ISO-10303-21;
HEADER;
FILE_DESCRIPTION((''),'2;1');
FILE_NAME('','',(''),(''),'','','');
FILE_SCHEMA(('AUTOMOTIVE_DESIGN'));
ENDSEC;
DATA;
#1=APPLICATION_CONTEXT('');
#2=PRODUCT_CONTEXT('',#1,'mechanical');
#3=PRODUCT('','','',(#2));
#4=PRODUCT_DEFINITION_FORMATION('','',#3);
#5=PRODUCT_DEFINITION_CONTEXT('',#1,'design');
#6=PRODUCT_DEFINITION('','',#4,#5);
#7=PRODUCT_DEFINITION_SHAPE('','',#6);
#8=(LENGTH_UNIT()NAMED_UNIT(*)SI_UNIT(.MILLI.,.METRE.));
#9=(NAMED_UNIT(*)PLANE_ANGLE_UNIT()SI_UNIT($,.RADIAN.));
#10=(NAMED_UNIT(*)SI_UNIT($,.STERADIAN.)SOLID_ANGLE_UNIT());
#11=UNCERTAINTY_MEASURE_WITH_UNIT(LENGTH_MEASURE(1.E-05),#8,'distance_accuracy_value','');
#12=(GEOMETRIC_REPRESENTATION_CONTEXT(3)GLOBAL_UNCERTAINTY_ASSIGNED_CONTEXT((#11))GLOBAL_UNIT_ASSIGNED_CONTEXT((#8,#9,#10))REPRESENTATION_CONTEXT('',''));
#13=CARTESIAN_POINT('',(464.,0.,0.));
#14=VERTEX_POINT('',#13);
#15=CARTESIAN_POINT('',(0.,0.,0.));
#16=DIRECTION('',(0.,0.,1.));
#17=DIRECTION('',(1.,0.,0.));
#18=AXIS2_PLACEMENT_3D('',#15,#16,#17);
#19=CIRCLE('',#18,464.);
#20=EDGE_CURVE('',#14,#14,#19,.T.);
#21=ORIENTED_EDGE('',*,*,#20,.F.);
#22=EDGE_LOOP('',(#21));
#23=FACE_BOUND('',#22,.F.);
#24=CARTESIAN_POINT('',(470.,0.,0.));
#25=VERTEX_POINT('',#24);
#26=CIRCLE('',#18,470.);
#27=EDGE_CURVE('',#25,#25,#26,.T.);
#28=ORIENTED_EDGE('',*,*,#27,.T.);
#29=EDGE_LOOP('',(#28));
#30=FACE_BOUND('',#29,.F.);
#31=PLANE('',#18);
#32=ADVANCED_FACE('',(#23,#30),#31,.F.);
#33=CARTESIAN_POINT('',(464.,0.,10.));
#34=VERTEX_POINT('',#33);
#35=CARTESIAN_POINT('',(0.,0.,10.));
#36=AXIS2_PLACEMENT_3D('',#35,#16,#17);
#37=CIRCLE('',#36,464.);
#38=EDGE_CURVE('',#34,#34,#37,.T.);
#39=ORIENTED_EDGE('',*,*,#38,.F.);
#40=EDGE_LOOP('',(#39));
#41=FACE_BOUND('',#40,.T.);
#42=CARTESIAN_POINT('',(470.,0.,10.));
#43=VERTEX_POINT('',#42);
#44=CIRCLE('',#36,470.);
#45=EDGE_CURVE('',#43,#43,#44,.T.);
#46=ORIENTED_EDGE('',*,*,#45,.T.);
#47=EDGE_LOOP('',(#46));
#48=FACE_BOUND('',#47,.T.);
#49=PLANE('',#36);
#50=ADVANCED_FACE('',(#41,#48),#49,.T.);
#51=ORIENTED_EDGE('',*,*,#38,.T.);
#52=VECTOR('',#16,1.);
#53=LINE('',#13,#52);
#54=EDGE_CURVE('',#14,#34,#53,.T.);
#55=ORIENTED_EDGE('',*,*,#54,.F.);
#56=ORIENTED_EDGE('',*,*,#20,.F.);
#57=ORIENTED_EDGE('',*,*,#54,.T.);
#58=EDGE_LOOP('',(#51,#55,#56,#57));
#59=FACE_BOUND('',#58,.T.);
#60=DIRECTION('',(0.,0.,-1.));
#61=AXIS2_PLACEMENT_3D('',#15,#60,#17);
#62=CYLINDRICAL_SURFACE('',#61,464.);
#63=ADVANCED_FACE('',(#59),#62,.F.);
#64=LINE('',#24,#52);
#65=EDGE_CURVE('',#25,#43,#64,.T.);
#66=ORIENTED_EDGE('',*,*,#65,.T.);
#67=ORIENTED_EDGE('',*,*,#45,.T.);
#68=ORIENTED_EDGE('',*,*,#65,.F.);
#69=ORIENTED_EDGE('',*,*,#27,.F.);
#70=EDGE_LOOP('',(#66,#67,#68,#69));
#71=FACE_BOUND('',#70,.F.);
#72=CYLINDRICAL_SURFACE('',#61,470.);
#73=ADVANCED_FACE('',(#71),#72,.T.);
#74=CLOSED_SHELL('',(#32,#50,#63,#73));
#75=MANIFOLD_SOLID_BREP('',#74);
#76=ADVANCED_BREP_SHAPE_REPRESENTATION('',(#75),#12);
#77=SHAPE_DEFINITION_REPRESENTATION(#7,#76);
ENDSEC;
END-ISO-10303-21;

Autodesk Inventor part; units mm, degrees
ref_plane "YZ Plane" through (0, 0, 0) normal (1, 0, 0) x (0, 1, 0)
ref_plane "XZ Plane" through (0, 0, 0) normal (0, 1, 0) x (-1, 0, 0)
ref_plane "XY Plane" through (0, 0, 0) normal (0, 0, 1) x (1, 0, 0)
sketch "Sketch1" plane through (0, 0, 0) normal (0, 0, 1) x (1, 0, 0)
  circle A0 centre (0, 0) radius 470
  circle A1 centre (0, 0) radius 464
  dimension "d0" = 940
  dimension "d1" = 6
extrude "Extrusion1" add sketch "Sketch1" along normal blind 10
sketch "Sketch2" plane through (0, 0, 0) normal (0, 0, 1) x (1, 0, 0)
  circle A0 centre (-90, -87.958) radius 95
  circle A1 centre (-250, -87.958) radius 95
  circle A2 centre (-400, -87.958) radius 95
  circle A3 centre (-130, -210) radius 95
  circle A4 centre (-315, -210) radius 95
  circle A5 centre (-220, -340) radius 95
  line L0 (0, -87.958) -> (-400, -87.958)
  line L1 (0, 0) -> (0, -487.8658)
  line L2 (0, -340) -> (-220, -340)
  line L3 (0, -210) -> (-315, -210)
  circle A6 centre (-90, -340) radius 95
  line L4 (87.4849, 38.1849) -> (90.8389, 440.6653)
  line L5 (212.1333, 37.1461) -> (212.1333, 380.2933)
  line L6 (330.7447, 36.1577) -> (330.7447, 284.5726)
  dimension "d8" = 210
  dimension "d9" = 340
  dimension "d11" = 90
  dimension "d12" = 250
  dimension "d13" = 400
  dimension "d16" = 130
  dimension "d17" = 315
  dimension "d18" = 90
  dimension "d19" = 220
sketch "Sketch3" plane through (0, 0, 0) normal (0, 0, 1) x (1, 0, 0)
  circle A0 centre (-104.0992, -233.3488) radius 95
  circle A1 centre (-161.9131, -395.3117) radius 95
  circle A2 centre (-91.7953, -514.3257) radius 95
  circle A3 centre (-280.9346, -260.412) radius 95
  circle A4 centre (-299.5406, -418.8761) radius 95
  circle A5 centre (-250.7395, 99.5106) radius 95
  circle A6 centre (-395.8303, 87.9315) radius 95
  circle A7 centre (-535.2648, 91.0733) radius 95
  circle A8 centre (-460.3613, -287.8718) radius 95
  circle A9 centre (-531.2922, -111.9436) radius 95
  circle A10 centre (-392.3143, -102.4845) radius 95
  circle A11 centre (0, 0) radius 542.9574 construction
  circle A12 centre (-253.2201, -93.0176) radius 95
  circle A13 centre (-90.4998, -81.9426) radius 95
  circle A14 centre (85.6841, -88.1302) radius 95
  circle A15 centre (-90.4998, 88.0537) radius 95
  circle A16 centre (0, 0) radius 405.4794 construction
  circle A17 centre (0, 0) radius 269.7641 construction
  circle A18 centre (85.6841, 88.0537) radius 95
  line L0 (0, 0) -> (0, -542.9574)
  line L1 (0, -75.783) -> (-531.2922, -111.9436)
  line L2 (0, -217.4173) -> (-460.3613, -287.8718)
  circle A19 centre (0, 0) radius 600
  line L3 (0, -367.5891) -> (-299.5406, -418.8761)
  line L4 (-91.7953, -514.3257) -> (0, -514.3257)
  point P0 (0, 0)
  dimension "d21" = 190
  dimension "d22" = 1200
equation "\"BendRadius\" = Thickness"
equation "\"BendReliefWidth\" = Thickness"
equation "\"BendReliefDepth\" = 0.5 * Thickness"
equation "\"CornerReliefSize\" = 4 * Thickness"
equation "\"MinimumRemnant\" = 2 * Thickness"
equation "\"TransitionRadius\" = BendRadius"
equation "\"JacobiRadiusSize\" = BendRadius"
equation "\"GapSize\" = Thickness"
equation "\"way_tube_L1\" = 1"
equation "\"way_tube_L2\" = 1"
equation "\"way_tube_L3\" = 1"
equation "\"way_tube_L4\" = 1"
equation "\"way_tube_L5\" = 120"
equation "\"way_tube_L6\" = 90"
equation "\"way_tube_L7\" = 20"
equation "\"way_tube_L8\" = 90"
equation "\"way_tube_L9\" = 80"
equation "\"way_tube_L10\" = 80"
equation "\"Thickness\" = 3.048"
properties part number "PRS 8698 DIM filter-distribution-system_D940"
